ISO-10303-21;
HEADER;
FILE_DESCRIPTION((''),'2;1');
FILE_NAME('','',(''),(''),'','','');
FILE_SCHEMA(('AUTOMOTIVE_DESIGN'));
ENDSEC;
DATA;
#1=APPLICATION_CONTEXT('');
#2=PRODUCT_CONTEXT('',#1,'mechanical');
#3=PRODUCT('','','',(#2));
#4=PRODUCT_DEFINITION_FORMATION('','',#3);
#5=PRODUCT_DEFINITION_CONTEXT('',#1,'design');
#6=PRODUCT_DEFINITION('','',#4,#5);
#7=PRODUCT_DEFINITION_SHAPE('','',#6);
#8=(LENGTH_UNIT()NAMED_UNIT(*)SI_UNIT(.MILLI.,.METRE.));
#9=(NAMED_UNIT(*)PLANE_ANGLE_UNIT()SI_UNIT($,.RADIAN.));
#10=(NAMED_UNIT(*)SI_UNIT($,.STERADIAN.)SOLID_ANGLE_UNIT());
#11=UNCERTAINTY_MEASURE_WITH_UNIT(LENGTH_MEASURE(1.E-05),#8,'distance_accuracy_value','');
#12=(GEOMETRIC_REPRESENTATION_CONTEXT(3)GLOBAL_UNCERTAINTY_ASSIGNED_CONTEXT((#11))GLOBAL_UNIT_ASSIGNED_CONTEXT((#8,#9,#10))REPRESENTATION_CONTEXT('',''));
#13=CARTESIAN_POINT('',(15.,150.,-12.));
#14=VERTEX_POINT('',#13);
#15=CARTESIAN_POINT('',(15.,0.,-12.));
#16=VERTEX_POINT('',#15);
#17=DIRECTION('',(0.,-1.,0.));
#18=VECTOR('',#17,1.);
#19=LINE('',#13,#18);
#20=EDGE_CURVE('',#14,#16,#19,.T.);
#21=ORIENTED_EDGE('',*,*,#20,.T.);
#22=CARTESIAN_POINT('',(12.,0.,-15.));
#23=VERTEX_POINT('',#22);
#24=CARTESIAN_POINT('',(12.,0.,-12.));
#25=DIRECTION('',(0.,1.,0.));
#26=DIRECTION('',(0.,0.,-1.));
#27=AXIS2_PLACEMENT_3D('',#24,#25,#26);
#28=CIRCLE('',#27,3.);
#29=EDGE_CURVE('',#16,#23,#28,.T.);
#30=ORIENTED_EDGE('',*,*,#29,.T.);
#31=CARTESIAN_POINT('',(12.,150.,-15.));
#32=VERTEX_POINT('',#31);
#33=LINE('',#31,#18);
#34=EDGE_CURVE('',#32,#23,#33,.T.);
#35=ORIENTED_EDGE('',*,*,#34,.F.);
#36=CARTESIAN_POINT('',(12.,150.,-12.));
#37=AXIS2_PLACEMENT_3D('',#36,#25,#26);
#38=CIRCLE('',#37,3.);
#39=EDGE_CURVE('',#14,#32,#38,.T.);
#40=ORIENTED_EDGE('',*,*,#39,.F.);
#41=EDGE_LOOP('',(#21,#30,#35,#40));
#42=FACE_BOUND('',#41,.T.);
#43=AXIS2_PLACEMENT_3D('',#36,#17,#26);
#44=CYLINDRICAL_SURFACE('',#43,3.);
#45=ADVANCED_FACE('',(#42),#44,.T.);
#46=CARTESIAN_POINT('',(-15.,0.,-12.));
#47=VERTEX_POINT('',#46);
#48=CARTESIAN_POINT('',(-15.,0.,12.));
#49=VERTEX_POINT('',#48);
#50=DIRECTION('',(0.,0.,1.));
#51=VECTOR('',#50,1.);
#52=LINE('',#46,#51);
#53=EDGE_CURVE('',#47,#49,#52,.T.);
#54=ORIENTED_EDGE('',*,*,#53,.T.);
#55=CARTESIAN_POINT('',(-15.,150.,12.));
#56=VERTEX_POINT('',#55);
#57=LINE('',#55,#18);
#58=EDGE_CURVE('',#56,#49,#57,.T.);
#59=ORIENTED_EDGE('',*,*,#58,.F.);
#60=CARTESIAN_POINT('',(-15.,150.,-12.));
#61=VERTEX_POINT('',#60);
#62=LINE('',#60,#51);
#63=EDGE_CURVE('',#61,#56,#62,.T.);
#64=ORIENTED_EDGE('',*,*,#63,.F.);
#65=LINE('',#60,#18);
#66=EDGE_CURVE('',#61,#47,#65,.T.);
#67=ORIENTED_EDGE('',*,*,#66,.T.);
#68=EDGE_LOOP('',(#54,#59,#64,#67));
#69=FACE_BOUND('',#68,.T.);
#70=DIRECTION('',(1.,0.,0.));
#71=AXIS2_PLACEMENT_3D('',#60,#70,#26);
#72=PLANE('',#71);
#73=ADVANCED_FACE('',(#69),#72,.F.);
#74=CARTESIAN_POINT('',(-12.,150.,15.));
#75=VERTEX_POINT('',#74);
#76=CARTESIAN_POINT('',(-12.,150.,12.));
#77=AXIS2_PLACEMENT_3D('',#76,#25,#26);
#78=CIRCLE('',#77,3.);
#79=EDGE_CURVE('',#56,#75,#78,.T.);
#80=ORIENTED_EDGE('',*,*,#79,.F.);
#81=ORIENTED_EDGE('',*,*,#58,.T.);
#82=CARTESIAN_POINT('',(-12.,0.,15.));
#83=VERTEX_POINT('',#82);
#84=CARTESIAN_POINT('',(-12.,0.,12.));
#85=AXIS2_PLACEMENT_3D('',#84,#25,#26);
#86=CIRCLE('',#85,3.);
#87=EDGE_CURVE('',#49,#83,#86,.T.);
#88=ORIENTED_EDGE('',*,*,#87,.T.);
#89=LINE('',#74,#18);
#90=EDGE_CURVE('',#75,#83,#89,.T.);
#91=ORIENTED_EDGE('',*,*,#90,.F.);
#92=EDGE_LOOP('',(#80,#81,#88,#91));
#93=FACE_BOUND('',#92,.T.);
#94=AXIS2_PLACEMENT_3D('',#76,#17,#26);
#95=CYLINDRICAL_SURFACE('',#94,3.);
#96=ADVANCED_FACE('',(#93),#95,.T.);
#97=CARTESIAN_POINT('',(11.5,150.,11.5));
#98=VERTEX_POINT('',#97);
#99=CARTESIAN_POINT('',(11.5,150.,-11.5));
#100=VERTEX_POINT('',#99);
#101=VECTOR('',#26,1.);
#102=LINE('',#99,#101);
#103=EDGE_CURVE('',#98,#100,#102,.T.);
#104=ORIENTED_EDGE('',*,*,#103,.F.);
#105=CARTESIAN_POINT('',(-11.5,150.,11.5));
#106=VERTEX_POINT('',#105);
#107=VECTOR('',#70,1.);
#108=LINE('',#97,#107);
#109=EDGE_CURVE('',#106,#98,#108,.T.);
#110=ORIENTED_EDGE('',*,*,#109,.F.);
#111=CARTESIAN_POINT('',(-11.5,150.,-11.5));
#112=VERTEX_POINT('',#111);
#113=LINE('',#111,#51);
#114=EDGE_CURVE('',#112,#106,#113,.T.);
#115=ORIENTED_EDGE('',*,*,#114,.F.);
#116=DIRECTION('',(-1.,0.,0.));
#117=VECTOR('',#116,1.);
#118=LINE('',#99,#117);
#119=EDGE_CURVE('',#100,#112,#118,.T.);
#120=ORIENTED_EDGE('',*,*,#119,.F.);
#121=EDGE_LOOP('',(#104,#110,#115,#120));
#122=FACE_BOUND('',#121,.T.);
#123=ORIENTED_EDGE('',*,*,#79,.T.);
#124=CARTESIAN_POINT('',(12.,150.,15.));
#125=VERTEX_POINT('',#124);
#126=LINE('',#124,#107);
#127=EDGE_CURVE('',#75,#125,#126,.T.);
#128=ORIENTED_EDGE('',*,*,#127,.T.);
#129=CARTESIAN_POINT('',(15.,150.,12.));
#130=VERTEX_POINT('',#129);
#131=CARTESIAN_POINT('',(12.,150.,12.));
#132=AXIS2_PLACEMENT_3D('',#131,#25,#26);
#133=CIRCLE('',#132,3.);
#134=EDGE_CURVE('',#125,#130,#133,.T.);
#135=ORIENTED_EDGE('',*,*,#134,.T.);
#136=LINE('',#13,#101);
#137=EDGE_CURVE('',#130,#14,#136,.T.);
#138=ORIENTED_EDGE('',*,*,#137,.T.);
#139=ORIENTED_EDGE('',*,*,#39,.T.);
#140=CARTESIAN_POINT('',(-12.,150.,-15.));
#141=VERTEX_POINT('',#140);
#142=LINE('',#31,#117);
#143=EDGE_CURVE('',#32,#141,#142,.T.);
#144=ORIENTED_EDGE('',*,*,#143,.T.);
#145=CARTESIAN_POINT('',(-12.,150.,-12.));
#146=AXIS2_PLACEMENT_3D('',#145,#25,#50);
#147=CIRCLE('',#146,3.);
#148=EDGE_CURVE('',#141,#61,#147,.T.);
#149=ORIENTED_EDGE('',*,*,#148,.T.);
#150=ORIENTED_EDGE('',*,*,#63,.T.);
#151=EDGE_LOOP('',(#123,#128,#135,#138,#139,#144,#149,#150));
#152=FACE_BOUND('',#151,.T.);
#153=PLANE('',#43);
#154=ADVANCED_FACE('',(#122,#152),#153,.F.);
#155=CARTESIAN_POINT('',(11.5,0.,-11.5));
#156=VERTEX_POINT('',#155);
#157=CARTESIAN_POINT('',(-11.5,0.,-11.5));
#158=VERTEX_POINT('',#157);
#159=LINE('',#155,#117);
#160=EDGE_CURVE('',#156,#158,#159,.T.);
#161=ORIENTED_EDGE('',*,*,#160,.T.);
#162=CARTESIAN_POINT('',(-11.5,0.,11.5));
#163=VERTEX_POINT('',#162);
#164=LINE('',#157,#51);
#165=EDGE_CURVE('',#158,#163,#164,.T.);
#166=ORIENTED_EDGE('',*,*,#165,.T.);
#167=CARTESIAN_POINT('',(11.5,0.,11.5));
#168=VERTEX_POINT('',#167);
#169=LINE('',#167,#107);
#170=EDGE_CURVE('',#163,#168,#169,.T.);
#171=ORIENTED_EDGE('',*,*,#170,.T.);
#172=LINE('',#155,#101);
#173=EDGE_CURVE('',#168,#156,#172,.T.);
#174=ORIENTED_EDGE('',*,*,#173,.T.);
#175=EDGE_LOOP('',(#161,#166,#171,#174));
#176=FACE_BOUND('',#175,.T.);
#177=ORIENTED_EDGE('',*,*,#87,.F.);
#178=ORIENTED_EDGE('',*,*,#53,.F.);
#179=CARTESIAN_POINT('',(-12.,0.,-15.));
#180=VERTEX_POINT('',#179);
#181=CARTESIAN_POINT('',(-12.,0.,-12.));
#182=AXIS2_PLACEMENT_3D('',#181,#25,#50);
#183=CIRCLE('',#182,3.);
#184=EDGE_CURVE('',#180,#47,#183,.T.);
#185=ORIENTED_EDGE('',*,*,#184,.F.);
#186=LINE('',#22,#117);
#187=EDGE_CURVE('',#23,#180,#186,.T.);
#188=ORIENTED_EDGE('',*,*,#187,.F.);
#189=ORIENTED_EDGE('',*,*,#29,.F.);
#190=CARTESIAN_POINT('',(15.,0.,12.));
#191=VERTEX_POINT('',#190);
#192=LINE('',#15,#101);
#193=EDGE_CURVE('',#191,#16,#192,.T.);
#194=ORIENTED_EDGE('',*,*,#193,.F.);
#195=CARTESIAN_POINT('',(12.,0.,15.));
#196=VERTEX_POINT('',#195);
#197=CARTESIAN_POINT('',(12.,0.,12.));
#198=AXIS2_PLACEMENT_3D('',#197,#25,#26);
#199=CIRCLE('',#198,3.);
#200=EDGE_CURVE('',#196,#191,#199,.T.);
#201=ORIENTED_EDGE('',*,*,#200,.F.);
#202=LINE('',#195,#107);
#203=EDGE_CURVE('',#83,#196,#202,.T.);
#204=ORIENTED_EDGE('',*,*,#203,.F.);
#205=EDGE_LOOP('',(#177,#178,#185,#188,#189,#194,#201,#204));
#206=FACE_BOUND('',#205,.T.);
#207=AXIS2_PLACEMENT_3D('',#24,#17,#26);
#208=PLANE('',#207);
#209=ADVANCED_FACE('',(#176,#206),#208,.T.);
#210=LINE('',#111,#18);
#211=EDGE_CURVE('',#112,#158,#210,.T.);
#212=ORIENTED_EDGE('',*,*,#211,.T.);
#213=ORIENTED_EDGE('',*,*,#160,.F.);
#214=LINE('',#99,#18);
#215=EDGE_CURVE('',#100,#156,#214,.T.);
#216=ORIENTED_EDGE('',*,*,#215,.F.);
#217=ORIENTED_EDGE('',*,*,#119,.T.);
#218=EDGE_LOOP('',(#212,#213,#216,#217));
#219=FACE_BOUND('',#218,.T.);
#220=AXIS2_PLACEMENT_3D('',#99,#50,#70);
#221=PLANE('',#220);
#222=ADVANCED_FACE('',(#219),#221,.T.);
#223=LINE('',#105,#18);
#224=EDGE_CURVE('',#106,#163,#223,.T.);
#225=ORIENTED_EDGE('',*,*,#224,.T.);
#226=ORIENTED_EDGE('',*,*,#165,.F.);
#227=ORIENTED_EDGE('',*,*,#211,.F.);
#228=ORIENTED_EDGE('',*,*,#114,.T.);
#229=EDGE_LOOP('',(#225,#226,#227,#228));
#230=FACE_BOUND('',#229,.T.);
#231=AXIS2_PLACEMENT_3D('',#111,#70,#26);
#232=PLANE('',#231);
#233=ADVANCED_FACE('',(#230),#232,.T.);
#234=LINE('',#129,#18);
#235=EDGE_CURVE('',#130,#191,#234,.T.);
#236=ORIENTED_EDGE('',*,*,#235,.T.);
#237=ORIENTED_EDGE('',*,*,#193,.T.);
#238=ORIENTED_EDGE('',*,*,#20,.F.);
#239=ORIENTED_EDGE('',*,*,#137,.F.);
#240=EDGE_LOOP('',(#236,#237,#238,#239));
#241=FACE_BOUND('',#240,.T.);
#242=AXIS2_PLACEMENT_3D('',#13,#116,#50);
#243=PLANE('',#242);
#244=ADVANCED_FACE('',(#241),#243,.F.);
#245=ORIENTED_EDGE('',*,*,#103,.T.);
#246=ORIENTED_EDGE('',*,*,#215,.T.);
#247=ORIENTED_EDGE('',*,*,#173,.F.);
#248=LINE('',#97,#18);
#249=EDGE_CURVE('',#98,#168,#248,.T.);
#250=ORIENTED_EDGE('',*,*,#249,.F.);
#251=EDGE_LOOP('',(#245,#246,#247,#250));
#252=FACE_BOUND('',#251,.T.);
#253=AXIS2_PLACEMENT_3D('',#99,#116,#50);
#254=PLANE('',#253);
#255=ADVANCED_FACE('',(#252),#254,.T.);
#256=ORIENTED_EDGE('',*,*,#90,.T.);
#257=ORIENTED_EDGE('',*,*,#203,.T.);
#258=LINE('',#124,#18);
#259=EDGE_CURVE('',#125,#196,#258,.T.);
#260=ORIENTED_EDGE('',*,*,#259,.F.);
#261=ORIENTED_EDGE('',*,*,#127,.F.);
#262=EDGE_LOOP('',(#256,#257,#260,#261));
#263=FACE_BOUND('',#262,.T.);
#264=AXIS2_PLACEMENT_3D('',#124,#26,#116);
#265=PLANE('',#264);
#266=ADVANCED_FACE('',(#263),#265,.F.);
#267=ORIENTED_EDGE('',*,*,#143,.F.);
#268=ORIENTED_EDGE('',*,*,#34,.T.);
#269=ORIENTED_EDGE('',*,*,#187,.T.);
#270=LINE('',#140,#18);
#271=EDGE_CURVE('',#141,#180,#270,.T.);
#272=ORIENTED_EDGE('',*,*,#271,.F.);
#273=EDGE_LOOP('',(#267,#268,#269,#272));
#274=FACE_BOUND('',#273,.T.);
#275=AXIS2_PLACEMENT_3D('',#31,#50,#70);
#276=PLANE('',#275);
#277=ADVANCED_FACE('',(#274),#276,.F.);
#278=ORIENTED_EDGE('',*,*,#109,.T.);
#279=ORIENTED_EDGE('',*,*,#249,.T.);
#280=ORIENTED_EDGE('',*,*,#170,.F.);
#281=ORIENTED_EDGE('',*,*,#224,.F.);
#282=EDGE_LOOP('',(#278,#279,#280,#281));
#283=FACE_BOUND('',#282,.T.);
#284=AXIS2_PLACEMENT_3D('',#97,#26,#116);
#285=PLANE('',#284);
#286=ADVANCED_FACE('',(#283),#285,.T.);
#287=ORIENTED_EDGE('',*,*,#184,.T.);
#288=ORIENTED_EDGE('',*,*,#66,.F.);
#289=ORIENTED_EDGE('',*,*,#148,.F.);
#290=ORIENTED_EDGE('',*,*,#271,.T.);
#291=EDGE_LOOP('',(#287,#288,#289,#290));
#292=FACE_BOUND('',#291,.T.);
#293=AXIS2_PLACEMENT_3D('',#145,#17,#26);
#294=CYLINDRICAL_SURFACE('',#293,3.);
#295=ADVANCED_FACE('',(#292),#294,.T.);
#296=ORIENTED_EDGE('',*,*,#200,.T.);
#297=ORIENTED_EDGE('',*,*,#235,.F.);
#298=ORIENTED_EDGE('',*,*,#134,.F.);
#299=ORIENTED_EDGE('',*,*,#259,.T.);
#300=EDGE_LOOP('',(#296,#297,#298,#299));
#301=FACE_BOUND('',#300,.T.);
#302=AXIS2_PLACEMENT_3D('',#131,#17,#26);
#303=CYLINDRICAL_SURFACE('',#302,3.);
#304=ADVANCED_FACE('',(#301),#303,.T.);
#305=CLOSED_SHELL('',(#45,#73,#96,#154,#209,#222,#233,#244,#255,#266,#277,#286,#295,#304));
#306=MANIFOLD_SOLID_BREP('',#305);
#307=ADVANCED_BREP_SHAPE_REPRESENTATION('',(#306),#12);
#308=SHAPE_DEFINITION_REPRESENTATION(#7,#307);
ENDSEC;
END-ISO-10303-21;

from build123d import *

# Parameters (mm, degrees)
SKETCH1_W           = 23
SKETCH1_H           = 23
BOSS_EXTRUDE1_DEPTH = 150


with BuildPart() as part:
    # Sketch1 → Boss-Extrude1 (new body)
    with BuildSketch(Plane(origin=(0, 0, 0), x_dir=(1, 0, 0), z_dir=(0, 1, 0))):
        with BuildLine():
            Line((12, 15), (-12, 15))
            ThreePointArc((-12, 15), (-14.121320344, 14.121320344), (-15, 12))
            Line((-15, 12), (-15, -12))
            ThreePointArc((-15, -12), (-14.121320344, -14.121320344), (-12, -15))
            Line((-12, -15), (12, -15))
            ThreePointArc((12, -15), (14.121320344, -14.121320344), (15, -12))
            Line((15, -12), (15, 12))
            ThreePointArc((15, 12), (14.121320344, 14.121320344), (12, 15))
        make_face()
        Rectangle(SKETCH1_W, SKETCH1_H, mode=Mode.SUBTRACT)
    extrude(amount=BOSS_EXTRUDE1_DEPTH)


solid = part.part
